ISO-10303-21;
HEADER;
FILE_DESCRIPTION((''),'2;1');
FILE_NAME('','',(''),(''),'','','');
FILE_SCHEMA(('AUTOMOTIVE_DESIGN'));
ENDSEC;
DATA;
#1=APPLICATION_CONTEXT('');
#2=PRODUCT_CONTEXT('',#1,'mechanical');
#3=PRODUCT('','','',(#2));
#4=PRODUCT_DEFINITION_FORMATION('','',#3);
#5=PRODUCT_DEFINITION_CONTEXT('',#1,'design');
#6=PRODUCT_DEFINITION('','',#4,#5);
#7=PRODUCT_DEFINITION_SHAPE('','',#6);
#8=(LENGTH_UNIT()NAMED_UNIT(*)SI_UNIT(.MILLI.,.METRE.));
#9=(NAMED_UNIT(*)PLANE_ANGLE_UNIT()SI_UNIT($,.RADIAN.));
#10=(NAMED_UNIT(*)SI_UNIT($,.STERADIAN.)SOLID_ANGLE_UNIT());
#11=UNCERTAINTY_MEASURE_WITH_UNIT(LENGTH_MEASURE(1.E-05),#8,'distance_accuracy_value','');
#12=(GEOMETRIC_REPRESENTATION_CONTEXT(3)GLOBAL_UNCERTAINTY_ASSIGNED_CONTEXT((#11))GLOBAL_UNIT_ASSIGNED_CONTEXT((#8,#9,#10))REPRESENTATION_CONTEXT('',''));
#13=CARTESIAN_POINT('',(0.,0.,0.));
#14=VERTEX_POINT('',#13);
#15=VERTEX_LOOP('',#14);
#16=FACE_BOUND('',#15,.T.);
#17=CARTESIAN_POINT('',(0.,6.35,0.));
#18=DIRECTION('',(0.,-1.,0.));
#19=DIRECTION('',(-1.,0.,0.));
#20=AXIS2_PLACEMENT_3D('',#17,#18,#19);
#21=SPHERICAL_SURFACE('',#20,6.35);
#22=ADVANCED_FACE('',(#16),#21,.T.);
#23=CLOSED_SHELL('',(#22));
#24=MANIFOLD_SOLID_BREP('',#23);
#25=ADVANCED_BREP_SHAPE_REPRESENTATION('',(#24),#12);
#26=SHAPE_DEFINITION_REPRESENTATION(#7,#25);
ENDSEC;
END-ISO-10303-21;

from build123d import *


with BuildPart() as part:
    # Sketch1 → Revolve1 (revolve)
    with BuildSketch(Plane.XY):
        with BuildLine():
            Line((0, 0), (0, 12.7))
            ThreePointArc((0, 12.7), (6.35, 6.35), (0, 0))
        make_face()
    revolve(axis=Axis((0, 0, 0), (0, 1, 0)))


solid = part.part
